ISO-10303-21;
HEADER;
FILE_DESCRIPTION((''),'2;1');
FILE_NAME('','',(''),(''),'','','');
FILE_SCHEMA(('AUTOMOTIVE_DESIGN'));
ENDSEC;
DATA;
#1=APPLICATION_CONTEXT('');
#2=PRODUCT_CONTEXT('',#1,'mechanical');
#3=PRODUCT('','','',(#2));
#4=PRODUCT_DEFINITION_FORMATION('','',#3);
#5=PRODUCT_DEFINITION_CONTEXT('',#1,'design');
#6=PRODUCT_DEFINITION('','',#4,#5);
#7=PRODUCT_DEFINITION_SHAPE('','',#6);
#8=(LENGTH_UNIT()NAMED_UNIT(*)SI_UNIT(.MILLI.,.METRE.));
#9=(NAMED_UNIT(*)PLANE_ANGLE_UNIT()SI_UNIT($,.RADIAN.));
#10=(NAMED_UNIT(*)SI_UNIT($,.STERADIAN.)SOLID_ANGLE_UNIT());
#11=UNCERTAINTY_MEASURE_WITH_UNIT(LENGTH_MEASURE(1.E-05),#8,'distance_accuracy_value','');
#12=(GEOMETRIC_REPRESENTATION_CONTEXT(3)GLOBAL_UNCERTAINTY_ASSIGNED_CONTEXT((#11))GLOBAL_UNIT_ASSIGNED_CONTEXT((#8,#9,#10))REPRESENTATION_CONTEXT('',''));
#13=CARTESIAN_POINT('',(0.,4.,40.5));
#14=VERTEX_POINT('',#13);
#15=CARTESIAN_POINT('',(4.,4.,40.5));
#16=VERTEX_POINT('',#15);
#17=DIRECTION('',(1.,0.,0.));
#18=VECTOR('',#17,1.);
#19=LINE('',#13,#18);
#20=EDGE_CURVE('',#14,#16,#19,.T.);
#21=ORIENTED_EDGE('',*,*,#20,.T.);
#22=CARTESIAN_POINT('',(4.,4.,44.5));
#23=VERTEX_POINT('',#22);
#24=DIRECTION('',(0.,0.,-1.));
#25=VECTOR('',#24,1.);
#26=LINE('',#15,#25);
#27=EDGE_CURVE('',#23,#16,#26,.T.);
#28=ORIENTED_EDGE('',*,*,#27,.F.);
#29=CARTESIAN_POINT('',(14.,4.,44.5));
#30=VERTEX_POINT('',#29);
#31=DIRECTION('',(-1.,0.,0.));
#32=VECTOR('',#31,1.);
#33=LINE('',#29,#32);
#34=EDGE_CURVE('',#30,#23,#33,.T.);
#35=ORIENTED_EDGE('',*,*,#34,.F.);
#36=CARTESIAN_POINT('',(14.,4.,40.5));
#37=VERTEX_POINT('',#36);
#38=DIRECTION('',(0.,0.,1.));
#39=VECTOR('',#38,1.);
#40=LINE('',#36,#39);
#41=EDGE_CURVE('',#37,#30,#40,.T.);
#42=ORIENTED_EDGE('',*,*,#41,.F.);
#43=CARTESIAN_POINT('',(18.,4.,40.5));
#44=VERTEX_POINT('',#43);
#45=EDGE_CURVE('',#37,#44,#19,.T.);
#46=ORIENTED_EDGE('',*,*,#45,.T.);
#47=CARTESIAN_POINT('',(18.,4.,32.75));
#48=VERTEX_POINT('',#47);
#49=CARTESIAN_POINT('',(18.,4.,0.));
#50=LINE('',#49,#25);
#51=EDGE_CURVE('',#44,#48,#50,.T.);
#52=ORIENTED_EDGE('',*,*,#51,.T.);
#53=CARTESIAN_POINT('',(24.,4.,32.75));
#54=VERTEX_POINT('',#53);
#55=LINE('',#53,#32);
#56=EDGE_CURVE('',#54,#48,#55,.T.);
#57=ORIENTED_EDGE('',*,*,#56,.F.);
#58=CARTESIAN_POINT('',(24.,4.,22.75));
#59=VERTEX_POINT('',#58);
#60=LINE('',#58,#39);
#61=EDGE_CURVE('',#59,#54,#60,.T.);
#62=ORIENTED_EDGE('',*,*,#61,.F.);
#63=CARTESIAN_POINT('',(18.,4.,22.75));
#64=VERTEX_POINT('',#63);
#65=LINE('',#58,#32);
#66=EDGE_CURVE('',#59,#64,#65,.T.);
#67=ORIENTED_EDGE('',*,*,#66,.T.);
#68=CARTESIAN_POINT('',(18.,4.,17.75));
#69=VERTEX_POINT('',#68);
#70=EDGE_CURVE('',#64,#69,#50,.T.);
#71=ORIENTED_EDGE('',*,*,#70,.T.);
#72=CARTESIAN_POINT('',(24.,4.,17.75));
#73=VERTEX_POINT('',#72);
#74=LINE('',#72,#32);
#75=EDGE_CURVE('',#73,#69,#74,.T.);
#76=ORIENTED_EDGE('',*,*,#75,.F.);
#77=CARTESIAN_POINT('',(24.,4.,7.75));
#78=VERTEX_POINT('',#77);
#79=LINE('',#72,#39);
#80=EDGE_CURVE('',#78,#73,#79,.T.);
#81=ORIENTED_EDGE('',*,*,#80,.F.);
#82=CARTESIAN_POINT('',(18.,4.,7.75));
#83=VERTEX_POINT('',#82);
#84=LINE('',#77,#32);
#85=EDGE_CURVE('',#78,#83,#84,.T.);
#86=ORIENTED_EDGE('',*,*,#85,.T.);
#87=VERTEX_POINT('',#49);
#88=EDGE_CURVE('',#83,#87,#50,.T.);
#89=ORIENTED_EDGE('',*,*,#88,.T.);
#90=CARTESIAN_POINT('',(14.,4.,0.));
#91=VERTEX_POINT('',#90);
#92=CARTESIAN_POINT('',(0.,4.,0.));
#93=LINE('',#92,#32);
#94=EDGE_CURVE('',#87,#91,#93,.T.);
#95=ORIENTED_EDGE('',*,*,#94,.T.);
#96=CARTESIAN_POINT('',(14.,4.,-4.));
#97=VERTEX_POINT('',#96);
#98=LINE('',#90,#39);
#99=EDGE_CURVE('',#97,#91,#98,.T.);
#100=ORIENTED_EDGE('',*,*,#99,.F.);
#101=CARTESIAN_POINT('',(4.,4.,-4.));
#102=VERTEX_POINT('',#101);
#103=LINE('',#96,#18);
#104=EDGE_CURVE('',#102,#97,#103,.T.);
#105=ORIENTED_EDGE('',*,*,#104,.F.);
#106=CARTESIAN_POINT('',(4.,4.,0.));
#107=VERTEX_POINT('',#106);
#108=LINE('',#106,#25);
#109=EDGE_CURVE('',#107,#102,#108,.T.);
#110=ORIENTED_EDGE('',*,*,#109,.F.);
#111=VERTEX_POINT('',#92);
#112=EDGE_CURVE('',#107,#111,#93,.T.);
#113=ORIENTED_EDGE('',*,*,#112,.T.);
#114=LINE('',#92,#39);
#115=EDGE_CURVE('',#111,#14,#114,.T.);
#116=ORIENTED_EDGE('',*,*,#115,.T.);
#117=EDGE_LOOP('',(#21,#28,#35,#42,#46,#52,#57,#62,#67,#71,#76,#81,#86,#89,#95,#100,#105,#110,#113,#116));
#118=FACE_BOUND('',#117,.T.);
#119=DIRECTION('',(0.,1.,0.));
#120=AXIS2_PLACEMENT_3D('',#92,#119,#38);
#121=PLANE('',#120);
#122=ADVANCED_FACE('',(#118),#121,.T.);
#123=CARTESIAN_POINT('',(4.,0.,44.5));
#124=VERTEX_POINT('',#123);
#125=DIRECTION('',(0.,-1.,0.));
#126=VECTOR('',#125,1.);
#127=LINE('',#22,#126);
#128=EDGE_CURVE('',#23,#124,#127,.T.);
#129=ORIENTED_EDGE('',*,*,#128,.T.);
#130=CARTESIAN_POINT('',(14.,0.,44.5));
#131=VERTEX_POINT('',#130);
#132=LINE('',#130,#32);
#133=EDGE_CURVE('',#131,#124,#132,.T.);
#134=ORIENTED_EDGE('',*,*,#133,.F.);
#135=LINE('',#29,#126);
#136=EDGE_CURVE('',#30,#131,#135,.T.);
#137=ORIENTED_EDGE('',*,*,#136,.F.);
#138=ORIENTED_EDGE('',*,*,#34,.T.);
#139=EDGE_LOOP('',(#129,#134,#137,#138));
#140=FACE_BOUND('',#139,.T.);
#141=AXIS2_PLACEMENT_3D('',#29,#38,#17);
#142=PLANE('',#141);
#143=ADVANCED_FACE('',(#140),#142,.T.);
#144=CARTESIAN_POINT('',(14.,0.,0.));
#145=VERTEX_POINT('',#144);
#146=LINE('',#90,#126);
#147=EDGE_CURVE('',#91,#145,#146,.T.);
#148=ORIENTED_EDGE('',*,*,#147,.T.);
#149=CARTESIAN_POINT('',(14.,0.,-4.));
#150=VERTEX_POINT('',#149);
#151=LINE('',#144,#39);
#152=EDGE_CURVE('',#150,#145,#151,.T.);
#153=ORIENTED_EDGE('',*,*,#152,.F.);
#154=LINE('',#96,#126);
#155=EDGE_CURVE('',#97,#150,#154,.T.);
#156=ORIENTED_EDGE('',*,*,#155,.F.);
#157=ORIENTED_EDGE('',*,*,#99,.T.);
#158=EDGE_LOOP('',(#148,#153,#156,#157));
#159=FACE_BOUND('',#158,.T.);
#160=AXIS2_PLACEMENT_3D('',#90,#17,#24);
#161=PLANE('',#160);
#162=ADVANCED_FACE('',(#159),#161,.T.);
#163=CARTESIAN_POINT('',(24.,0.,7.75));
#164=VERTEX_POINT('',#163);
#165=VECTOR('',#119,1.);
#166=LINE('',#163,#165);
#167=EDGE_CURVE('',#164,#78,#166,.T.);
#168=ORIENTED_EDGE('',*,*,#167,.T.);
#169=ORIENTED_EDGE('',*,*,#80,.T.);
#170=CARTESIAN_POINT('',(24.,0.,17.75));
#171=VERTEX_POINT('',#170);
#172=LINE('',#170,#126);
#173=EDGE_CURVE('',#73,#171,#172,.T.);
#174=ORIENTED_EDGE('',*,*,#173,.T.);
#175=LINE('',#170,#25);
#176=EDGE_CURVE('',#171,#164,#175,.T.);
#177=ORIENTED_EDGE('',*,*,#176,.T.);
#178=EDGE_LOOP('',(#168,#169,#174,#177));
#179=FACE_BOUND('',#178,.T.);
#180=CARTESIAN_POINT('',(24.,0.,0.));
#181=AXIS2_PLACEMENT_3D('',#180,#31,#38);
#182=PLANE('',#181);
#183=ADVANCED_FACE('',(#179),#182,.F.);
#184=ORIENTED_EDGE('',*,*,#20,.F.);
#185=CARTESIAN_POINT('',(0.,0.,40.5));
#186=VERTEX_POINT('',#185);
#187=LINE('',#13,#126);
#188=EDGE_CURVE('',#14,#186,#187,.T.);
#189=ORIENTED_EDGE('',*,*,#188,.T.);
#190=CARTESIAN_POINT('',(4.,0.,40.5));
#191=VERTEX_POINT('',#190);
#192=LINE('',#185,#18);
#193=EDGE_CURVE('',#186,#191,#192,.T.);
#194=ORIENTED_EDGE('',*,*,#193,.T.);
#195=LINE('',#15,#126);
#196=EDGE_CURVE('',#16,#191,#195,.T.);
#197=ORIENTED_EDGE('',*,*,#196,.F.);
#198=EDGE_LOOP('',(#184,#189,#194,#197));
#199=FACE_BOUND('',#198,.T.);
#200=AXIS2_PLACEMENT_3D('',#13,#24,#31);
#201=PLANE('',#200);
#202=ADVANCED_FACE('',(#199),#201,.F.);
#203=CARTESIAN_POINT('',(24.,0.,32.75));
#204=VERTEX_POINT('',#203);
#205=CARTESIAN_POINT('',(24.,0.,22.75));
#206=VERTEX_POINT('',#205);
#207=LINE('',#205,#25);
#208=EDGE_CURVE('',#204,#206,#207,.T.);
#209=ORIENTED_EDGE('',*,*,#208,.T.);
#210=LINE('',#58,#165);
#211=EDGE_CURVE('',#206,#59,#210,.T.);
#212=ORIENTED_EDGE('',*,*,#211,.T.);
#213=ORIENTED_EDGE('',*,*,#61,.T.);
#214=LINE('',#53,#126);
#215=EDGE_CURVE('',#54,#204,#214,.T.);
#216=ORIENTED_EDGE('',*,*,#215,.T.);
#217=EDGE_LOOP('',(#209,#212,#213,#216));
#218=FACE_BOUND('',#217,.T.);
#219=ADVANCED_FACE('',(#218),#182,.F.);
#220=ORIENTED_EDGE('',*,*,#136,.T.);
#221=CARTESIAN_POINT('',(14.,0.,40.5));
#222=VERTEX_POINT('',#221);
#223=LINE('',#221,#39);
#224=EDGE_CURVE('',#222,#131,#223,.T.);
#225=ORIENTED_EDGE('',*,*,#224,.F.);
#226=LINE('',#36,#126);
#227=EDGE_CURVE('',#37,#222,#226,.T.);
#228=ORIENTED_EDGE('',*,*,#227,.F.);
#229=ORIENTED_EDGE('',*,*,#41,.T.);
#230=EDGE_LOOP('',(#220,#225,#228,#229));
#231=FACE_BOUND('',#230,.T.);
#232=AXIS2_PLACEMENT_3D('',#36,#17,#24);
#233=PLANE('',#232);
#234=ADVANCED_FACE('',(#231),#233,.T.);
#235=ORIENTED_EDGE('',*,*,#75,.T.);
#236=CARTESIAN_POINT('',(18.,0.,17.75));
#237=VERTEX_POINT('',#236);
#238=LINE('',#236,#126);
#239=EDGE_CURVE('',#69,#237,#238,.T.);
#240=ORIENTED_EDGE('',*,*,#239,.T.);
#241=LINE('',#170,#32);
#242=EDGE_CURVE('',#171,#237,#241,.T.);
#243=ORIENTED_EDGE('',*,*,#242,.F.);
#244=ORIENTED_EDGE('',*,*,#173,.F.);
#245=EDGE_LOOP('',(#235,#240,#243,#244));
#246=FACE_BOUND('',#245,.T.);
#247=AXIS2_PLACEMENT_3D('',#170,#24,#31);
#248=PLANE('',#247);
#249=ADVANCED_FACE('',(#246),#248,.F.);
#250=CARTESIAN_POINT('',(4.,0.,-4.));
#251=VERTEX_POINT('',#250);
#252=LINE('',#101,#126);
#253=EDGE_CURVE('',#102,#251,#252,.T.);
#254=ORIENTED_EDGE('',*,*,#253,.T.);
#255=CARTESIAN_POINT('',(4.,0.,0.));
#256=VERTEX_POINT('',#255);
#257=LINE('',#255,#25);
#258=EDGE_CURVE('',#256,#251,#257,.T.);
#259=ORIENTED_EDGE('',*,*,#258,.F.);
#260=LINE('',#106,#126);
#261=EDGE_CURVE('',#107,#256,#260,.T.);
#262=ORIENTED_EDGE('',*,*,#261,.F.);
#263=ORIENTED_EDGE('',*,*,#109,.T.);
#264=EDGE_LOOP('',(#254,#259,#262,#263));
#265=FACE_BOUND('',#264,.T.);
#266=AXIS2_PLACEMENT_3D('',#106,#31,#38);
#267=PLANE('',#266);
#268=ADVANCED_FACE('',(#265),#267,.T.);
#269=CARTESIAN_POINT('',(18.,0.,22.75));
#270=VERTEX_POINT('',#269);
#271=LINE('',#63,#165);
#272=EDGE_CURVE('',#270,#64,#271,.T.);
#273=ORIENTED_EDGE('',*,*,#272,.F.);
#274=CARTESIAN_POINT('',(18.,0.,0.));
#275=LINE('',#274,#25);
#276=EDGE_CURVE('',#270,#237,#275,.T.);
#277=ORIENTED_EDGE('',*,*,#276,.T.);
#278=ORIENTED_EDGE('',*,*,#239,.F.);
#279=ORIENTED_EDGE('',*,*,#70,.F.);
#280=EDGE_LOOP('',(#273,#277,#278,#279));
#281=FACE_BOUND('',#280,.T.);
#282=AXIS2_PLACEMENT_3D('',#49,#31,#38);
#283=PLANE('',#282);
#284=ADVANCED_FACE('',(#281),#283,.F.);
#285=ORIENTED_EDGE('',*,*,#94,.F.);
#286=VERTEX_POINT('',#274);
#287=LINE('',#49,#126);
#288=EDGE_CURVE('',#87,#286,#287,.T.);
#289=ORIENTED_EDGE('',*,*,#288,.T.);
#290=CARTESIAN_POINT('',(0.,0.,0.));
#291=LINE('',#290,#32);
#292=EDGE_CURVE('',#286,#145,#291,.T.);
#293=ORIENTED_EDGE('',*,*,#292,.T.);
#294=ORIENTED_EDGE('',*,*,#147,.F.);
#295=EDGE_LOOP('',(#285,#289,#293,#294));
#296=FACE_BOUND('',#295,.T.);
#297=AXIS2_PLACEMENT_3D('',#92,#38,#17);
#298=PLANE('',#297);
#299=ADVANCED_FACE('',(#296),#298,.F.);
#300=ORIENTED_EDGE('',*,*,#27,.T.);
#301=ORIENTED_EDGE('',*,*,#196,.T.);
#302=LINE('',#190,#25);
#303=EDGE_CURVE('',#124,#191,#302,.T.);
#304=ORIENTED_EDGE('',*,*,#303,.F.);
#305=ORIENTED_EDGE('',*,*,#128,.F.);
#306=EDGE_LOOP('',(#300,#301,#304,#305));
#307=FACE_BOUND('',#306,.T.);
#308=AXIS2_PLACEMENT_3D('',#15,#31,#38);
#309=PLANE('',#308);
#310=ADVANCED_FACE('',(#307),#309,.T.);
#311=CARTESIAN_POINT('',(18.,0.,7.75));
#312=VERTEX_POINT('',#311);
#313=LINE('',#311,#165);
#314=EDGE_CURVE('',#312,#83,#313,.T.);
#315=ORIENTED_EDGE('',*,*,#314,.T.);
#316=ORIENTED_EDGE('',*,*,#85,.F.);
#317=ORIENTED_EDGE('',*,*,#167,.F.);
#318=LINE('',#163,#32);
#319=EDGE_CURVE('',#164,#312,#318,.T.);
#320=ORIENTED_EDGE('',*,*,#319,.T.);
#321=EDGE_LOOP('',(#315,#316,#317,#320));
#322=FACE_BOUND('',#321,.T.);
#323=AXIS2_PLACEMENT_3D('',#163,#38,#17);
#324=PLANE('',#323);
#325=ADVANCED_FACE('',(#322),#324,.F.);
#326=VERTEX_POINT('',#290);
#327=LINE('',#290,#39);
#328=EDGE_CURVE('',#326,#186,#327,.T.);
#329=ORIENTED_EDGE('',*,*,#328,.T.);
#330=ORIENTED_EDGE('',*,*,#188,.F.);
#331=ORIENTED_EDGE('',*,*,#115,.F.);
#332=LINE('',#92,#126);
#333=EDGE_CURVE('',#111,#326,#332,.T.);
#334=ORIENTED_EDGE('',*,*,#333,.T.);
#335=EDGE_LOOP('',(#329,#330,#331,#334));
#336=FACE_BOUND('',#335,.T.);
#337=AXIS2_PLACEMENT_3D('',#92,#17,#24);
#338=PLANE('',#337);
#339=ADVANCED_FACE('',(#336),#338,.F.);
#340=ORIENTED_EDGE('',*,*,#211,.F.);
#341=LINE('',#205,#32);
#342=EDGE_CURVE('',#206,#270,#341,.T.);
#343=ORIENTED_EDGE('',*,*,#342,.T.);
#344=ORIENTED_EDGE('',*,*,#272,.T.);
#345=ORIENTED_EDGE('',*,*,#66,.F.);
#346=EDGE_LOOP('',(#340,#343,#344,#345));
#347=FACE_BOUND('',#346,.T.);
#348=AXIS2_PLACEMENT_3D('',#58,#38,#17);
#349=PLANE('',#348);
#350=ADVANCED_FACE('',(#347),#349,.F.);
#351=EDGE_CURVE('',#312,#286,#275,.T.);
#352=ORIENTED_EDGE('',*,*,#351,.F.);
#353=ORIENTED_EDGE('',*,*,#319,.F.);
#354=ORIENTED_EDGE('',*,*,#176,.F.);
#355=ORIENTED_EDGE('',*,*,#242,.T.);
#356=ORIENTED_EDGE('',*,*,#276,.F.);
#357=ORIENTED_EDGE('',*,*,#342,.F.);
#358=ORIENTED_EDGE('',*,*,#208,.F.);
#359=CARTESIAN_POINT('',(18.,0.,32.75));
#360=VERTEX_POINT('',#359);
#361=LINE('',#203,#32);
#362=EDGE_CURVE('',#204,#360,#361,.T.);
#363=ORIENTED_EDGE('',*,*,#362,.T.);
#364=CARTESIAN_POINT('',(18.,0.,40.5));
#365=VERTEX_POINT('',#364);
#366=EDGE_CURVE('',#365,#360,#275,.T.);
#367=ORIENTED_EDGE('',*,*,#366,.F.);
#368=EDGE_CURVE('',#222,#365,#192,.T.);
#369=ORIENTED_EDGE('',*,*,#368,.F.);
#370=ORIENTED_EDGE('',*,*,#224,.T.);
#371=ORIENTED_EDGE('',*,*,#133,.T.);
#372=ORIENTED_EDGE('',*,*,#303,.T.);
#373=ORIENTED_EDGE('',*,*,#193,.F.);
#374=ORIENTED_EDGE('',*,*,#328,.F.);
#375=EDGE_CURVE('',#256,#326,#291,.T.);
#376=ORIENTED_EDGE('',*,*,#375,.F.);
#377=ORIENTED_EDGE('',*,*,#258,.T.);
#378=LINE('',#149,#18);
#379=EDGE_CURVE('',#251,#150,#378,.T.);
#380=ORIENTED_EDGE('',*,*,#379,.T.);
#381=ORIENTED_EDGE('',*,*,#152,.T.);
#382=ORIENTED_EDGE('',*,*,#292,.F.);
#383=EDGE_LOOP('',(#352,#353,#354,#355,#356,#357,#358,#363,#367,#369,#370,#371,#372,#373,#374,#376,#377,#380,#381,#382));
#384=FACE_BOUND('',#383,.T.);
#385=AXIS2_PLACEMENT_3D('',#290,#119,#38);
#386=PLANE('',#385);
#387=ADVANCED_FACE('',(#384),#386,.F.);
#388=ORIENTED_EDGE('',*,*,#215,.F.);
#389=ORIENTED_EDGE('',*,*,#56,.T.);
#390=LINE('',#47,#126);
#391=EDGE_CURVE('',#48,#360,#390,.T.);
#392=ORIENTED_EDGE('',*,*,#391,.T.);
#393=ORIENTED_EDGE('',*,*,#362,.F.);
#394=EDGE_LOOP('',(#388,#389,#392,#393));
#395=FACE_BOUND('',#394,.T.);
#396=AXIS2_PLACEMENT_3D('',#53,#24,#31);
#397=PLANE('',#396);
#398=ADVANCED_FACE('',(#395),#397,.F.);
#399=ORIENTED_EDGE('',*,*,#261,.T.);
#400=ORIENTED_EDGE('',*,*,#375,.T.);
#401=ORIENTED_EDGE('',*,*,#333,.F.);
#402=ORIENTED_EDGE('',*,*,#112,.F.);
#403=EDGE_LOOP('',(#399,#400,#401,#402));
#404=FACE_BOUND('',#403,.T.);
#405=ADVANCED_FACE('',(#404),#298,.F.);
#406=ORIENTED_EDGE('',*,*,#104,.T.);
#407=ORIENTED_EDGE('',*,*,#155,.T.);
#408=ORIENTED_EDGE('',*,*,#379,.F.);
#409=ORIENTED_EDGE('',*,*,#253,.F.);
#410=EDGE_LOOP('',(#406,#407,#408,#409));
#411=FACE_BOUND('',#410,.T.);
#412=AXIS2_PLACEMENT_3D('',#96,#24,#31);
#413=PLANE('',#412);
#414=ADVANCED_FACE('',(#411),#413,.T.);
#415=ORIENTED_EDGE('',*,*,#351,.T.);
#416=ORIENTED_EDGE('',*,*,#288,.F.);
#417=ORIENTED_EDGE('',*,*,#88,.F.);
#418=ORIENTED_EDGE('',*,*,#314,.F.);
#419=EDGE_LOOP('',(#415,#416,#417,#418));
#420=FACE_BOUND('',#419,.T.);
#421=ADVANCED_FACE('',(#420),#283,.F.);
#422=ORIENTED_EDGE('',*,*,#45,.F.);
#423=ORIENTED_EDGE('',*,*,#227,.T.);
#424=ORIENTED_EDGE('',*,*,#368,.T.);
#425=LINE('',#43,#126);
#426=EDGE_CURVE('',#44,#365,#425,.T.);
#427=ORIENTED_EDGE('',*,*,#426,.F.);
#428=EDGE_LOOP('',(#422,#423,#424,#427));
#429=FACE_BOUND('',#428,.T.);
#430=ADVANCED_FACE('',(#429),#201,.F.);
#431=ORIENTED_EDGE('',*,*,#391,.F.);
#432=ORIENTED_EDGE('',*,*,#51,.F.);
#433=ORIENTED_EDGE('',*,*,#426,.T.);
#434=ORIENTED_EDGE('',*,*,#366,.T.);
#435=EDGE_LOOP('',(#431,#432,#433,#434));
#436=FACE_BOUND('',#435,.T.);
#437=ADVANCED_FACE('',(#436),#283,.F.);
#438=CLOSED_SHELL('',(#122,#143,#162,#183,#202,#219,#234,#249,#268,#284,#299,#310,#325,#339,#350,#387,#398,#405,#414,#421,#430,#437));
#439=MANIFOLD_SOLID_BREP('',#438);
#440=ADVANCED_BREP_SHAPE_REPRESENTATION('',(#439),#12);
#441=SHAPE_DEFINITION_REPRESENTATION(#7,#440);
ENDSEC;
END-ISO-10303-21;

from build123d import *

# Parameters (mm, degrees)
SKETCH1_W           = 18
SKETCH1_H           = 40.5
BOSS_EXTRUDE1_DEPTH = 4
SKETCH2_W           = 10
SKETCH2_H           = 4
BOSS_EXTRUDE2_DEPTH = 4
SKETCH3_W           = 10
SKETCH3_H           = 4
BOSS_EXTRUDE3_DEPTH = 6


with BuildPart() as part:
    # Sketch1 → Boss-Extrude1 (new body)
    with BuildSketch(Plane(origin=(0, 0, 0), x_dir=(1, 0, 0), z_dir=(0, 1, 0))):
        with Locations((9, -20.25)):
            Rectangle(SKETCH1_W, SKETCH1_H)
    extrude(amount=BOSS_EXTRUDE1_DEPTH)

    # Sketch2 → Boss-Extrude2 (add, through all)
    with BuildSketch(Plane(origin=(0, 0, 0), x_dir=(-1, 0, 0), z_dir=(0, -1, 0))):
        with Locations((-9, 2)):
            Rectangle(SKETCH2_W, SKETCH2_H)
        with Locations((-9, -42.5)):
            Rectangle(SKETCH2_W, SKETCH2_H)
    extrude(amount=-BOSS_EXTRUDE2_DEPTH)

    # Sketch3 → Boss-Extrude3 (add)
    with BuildSketch(Plane(origin=(18, 0, 0), x_dir=(0, 0, -1), z_dir=(1, 0, 0))):
        with Locations((-12.75, 2)):
            Rectangle(SKETCH3_W, SKETCH3_H)
        with Locations((-27.75, 2)):
            Rectangle(SKETCH3_W, SKETCH3_H)
    extrude(amount=BOSS_EXTRUDE3_DEPTH)


solid = part.part
